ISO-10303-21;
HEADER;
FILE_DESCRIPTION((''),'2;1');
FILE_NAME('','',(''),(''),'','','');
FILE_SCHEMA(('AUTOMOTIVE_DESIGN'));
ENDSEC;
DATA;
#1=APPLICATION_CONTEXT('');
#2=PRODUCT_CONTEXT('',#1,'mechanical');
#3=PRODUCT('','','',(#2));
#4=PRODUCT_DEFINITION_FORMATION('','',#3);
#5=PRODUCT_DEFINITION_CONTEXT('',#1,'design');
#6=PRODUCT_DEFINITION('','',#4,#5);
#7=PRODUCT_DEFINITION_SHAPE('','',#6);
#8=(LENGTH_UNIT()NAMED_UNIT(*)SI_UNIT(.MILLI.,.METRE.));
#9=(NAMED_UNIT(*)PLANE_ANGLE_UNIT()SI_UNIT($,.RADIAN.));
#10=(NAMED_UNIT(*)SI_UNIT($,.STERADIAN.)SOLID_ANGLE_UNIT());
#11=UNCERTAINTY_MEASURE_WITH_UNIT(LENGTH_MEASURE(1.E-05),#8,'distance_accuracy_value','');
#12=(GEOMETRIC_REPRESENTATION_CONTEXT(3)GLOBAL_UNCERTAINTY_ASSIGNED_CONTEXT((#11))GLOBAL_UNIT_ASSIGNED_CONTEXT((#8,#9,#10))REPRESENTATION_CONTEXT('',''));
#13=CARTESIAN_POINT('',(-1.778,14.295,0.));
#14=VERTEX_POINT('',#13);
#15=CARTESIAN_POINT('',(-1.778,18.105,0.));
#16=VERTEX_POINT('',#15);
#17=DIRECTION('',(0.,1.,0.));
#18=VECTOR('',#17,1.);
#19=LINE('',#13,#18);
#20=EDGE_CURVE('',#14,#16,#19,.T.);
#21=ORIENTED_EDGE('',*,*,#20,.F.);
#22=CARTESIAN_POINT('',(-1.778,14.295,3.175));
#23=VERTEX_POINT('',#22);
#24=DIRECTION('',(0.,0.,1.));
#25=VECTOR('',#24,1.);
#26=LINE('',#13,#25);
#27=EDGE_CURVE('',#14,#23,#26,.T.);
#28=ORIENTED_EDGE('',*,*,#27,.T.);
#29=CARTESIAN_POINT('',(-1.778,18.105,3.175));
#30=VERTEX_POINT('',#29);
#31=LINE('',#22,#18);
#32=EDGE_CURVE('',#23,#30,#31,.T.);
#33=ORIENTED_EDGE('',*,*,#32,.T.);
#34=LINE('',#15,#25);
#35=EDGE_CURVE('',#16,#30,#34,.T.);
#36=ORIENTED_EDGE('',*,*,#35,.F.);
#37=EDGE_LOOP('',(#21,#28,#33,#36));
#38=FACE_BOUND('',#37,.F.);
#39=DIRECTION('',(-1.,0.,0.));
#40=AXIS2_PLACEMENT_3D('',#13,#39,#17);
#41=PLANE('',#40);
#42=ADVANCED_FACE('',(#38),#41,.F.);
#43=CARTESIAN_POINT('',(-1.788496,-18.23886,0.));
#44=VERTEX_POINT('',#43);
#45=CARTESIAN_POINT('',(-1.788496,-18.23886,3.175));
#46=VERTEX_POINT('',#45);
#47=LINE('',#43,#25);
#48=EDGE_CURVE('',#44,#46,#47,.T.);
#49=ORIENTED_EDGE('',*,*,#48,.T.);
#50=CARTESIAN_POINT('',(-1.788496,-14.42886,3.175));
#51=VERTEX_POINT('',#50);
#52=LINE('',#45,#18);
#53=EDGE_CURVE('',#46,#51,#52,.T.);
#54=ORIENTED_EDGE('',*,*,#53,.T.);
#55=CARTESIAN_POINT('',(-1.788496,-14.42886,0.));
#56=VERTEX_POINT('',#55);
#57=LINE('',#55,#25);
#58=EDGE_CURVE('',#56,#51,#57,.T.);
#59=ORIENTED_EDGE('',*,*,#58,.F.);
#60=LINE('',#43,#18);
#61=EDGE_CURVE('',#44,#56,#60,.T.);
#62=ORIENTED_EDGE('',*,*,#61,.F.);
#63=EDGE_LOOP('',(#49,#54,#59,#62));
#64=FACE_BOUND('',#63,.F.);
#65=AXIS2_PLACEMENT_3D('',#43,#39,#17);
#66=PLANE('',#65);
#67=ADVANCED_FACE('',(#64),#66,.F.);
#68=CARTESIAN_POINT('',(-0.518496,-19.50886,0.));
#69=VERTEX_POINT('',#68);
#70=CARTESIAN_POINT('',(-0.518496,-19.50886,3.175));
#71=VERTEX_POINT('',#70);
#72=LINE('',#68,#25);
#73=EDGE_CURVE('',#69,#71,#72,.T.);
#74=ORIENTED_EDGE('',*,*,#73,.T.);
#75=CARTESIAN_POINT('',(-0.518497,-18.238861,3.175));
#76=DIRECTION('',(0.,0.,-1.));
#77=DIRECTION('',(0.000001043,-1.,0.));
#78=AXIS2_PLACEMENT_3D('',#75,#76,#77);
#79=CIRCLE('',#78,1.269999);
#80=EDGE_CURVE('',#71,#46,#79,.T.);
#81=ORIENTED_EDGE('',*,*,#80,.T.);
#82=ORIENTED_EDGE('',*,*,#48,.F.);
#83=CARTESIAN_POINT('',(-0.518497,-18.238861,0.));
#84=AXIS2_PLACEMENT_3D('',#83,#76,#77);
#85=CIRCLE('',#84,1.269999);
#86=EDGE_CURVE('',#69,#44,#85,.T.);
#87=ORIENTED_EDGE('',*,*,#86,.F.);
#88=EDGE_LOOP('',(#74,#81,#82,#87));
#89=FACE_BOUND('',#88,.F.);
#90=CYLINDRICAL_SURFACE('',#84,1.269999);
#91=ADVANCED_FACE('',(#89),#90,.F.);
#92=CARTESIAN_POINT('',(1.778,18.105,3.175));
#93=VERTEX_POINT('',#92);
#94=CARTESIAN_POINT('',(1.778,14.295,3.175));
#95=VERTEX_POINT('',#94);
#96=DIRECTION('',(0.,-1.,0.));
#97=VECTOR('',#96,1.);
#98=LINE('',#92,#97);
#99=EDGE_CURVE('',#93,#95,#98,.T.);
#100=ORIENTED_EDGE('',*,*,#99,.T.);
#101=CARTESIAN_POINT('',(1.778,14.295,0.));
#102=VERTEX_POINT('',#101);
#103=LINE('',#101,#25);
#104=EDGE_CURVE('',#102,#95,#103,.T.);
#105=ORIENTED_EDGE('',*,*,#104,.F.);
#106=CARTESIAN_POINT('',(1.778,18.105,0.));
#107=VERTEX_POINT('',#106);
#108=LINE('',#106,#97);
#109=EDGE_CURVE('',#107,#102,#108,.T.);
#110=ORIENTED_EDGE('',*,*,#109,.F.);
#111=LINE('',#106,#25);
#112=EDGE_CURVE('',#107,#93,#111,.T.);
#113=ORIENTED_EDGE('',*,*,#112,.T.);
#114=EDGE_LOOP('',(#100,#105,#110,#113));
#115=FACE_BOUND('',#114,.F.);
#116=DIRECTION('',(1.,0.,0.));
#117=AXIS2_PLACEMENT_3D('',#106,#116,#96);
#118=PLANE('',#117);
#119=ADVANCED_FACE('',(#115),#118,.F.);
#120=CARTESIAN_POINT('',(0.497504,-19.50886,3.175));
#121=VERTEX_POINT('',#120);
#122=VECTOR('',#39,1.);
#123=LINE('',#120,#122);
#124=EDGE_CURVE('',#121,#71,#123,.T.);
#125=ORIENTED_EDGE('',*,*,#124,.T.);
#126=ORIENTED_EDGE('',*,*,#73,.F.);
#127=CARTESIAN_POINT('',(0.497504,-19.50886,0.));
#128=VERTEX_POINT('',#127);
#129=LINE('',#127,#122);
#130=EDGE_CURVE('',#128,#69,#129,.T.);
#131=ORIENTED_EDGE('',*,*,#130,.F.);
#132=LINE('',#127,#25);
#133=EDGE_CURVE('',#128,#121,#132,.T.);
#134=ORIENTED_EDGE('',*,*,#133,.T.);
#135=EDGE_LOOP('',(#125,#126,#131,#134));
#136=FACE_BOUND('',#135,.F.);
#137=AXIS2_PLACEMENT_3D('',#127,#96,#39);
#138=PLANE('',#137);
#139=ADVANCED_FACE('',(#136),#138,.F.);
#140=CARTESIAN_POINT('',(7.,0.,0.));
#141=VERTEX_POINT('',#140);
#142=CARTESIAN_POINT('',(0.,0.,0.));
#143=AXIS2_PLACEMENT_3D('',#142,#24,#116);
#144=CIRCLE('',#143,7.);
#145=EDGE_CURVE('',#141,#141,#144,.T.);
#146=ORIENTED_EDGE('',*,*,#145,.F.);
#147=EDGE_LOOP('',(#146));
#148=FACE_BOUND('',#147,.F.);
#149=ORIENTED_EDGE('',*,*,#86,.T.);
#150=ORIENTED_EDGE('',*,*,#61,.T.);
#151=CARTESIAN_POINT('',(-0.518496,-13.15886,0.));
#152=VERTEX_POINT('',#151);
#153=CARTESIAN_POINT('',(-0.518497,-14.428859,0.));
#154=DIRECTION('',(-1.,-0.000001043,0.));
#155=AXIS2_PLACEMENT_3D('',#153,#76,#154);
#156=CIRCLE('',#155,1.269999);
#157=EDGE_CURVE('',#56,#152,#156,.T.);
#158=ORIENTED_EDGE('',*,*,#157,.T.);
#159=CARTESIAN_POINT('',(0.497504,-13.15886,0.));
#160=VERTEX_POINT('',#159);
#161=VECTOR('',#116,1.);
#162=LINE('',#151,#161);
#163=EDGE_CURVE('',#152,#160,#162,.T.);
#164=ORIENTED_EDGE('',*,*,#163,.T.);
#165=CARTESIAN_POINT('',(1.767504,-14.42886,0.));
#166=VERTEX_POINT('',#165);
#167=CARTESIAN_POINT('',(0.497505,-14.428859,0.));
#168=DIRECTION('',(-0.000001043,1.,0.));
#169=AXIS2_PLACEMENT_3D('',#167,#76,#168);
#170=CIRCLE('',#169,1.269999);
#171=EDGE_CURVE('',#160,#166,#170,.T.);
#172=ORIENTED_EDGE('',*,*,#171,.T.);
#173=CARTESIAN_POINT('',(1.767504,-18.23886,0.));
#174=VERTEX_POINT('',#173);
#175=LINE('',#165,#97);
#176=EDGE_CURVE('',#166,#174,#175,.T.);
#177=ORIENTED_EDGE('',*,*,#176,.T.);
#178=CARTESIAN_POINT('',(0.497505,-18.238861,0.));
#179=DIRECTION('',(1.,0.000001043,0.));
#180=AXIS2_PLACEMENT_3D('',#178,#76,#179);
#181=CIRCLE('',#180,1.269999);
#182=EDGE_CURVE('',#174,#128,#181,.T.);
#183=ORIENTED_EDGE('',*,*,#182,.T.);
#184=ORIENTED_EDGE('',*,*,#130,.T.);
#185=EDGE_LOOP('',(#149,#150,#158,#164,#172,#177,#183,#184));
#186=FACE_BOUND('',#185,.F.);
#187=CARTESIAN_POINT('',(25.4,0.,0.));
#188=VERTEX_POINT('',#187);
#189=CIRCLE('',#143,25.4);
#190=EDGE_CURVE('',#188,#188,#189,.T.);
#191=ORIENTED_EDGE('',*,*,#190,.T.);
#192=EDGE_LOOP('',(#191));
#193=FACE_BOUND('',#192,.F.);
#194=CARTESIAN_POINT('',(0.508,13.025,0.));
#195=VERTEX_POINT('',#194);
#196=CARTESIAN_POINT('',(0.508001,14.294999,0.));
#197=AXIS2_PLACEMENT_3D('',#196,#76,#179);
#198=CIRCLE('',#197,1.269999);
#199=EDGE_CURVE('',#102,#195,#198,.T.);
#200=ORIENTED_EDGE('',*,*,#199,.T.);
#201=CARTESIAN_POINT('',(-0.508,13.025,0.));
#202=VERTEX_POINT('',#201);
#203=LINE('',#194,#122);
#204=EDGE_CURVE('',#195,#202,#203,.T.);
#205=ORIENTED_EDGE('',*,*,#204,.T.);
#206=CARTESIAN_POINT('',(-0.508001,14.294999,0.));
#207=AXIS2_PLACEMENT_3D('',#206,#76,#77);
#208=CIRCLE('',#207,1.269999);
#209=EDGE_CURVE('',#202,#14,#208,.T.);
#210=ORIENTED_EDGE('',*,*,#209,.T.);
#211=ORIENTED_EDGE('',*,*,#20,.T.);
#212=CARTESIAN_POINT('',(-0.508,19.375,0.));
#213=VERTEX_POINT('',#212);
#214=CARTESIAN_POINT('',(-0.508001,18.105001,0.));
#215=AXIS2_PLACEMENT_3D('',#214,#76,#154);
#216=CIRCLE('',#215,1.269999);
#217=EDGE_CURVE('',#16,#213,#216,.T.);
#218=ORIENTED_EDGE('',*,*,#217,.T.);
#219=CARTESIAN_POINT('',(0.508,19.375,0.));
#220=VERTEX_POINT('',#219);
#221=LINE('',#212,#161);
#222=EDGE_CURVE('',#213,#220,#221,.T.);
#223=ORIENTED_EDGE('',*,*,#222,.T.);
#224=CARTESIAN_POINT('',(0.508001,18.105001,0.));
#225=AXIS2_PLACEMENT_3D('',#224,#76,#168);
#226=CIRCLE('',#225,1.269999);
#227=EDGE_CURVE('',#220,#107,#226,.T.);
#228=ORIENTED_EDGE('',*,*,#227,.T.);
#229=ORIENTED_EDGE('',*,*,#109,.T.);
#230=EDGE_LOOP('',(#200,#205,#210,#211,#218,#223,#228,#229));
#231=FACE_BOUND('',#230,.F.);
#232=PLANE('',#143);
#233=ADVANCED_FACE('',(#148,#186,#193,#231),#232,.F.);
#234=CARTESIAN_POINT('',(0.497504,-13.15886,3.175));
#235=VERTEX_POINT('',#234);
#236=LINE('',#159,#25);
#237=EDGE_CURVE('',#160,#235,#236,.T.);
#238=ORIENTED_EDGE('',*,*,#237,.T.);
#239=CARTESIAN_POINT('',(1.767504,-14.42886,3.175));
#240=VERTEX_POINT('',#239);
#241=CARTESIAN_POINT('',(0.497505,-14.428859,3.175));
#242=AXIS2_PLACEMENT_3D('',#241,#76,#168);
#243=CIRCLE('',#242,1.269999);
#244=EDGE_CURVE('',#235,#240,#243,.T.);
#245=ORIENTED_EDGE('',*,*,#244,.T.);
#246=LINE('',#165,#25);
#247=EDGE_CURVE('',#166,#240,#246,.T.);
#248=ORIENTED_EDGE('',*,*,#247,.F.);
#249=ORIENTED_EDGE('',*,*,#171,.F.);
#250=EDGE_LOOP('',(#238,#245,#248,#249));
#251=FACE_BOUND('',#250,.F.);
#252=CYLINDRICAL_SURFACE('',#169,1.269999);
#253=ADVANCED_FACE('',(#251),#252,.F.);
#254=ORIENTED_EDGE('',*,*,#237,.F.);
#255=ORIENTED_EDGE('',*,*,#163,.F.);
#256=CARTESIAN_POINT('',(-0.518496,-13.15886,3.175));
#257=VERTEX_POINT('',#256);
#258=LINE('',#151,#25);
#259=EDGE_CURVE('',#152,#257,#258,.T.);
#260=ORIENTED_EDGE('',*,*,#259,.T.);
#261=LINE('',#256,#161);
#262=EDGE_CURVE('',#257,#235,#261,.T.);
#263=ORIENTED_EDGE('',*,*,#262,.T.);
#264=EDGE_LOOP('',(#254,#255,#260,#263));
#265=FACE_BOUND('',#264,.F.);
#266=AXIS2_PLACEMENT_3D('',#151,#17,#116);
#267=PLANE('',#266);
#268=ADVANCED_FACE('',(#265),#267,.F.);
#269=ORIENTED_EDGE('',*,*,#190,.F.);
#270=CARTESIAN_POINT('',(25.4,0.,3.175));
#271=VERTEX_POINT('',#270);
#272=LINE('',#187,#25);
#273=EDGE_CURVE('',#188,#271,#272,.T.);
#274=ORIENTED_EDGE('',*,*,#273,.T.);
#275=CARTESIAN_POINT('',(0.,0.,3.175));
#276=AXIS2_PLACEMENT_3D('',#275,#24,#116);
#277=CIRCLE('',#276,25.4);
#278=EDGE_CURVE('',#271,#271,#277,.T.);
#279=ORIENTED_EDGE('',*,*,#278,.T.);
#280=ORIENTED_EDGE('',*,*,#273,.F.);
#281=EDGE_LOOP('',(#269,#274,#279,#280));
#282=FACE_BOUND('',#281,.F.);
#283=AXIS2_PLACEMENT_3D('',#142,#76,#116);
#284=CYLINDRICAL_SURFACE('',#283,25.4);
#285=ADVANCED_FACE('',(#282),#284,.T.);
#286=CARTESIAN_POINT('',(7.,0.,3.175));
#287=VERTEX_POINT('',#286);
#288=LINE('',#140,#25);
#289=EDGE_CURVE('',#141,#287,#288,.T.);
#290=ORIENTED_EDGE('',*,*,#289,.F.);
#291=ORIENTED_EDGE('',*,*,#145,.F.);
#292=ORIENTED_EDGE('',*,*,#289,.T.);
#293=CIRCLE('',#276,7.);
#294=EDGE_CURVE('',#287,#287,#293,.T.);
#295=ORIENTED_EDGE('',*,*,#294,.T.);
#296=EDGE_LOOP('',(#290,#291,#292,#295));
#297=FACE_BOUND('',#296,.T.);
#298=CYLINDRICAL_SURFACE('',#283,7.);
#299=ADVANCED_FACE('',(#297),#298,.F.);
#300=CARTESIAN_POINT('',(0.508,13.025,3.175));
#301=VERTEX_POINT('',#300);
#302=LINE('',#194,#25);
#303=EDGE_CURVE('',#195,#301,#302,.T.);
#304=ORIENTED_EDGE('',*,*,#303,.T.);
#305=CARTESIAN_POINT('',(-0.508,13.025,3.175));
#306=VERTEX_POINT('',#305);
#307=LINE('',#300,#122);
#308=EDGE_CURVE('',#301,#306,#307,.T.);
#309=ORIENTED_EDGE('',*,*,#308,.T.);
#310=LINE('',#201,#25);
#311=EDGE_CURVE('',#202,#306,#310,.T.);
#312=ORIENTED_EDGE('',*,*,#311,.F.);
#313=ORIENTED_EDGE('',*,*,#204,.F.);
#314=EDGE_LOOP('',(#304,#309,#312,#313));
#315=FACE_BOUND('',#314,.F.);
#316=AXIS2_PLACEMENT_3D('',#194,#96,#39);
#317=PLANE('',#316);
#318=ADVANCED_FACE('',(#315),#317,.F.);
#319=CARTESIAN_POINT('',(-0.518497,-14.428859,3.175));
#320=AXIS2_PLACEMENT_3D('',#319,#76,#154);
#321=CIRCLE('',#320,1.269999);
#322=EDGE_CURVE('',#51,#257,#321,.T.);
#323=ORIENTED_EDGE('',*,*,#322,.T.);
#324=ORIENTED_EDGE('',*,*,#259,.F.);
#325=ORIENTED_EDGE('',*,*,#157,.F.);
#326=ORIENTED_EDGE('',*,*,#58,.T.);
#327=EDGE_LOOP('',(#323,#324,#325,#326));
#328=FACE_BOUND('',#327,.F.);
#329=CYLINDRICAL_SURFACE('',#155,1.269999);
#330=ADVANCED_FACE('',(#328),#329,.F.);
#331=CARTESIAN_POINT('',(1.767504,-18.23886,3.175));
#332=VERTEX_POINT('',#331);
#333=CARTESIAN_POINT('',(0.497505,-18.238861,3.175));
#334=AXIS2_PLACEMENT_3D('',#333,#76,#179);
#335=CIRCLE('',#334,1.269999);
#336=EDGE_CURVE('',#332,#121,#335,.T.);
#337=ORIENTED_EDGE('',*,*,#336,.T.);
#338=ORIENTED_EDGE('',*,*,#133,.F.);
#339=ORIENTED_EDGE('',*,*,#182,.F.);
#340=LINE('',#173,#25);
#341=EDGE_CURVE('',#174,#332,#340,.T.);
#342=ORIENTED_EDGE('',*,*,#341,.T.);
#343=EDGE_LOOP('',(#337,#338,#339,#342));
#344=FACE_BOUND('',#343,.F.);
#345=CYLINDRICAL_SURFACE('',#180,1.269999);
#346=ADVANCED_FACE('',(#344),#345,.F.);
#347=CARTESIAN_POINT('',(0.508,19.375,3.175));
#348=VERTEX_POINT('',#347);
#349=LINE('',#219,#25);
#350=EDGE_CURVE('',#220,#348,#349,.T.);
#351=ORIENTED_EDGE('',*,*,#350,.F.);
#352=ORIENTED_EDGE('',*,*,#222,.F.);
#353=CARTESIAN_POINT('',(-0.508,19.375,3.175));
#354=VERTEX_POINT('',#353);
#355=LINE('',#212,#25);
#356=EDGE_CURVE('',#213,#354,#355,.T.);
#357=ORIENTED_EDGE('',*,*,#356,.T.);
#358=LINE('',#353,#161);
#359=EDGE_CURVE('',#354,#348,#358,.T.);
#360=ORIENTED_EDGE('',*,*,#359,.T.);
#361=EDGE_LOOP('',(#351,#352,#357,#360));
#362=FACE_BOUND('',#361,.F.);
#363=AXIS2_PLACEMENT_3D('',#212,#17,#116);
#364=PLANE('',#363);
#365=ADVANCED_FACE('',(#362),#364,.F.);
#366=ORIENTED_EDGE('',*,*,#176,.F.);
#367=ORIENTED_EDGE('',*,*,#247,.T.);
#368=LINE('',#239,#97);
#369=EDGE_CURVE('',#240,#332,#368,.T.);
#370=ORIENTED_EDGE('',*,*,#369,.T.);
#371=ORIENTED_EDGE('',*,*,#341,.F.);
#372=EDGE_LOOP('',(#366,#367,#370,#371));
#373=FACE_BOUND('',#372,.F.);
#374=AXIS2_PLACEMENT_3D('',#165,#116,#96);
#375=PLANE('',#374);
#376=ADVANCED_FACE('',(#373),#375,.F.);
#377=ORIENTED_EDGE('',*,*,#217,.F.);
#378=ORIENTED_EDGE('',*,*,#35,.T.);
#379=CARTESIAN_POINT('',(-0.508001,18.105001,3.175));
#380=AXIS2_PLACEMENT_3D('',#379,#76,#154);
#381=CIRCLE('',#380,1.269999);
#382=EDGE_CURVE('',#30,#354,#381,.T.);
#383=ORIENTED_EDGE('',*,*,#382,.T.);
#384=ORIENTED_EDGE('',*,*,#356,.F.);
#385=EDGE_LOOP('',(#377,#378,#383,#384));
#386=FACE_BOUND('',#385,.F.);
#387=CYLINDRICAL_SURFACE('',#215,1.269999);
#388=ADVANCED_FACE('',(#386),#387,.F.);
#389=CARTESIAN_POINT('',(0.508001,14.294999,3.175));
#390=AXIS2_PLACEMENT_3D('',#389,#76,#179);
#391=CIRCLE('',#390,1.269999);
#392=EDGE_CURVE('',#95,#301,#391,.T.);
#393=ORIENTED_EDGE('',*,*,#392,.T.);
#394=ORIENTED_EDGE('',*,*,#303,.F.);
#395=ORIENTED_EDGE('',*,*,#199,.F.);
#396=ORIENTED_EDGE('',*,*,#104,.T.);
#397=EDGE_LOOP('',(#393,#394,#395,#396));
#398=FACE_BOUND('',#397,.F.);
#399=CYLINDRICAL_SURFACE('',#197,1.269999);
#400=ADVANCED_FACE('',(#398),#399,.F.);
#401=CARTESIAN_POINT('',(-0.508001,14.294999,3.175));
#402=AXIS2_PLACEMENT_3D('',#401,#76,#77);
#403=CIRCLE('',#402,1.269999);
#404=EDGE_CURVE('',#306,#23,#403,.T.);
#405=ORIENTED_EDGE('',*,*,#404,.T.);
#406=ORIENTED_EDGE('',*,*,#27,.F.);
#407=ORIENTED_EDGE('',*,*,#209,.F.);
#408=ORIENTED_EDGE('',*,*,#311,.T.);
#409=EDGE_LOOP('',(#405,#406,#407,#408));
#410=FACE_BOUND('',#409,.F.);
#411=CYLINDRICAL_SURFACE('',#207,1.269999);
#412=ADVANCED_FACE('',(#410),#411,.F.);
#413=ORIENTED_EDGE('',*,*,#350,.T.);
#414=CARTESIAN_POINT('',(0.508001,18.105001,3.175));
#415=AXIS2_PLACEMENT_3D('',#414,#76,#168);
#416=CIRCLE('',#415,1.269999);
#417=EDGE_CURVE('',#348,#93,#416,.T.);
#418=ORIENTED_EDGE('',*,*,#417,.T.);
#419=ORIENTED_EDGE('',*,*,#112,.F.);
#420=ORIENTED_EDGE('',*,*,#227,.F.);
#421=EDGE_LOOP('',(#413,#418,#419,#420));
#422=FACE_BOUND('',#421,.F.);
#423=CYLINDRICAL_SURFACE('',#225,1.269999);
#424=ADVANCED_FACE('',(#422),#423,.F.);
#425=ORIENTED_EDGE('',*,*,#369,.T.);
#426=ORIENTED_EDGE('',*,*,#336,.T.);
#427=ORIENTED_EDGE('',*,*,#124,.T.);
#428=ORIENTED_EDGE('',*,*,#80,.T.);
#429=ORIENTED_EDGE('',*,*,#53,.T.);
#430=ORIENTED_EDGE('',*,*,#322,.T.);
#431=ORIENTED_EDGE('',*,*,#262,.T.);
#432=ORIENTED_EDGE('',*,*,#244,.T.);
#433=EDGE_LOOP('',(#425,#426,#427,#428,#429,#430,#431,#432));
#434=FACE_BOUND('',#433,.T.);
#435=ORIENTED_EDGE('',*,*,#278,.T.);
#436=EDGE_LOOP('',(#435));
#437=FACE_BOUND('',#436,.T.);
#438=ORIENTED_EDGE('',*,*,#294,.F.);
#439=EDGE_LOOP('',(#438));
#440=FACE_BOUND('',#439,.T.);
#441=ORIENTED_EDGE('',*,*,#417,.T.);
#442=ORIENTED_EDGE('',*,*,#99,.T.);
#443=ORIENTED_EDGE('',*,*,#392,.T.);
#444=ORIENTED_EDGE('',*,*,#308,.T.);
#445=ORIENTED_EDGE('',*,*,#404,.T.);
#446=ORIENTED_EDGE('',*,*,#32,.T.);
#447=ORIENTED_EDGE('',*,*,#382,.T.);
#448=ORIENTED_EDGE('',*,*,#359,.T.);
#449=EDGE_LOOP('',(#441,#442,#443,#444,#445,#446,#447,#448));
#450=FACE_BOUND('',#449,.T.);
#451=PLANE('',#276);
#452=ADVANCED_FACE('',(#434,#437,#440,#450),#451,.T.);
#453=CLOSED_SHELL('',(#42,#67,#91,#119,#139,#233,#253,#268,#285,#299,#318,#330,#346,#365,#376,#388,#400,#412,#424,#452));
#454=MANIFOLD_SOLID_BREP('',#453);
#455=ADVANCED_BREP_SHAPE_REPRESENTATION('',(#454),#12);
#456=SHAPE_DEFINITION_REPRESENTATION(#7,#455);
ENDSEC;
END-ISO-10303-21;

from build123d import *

# Parameters (mm, degrees)
F0_R     = 25.4
F0_R_2   = 7
F1_DEPTH = 3.175


with BuildPart() as f1:
    # F0 (on Top) → F1 (new body)
    with BuildSketch(Plane.XY):
        Circle(F0_R)
        with BuildLine():
            Line((-0.518496, -13.15886), (0.497504, -13.15886))
            ThreePointArc((0.497504, -13.15886), (1.39553, -13.530834), (1.767504, -14.42886))
            Line((1.767504, -14.42886), (1.767504, -18.23886))
            ThreePointArc((1.767504, -18.23886), (1.39553, -19.136886), (0.497504, -19.50886))
            Line((0.497504, -19.50886), (-0.518496, -19.50886))
            ThreePointArc((-0.518496, -19.50886), (-1.416522, -19.136886), (-1.788496, -18.23886))
            Line((-1.788496, -18.23886), (-1.788496, -14.42886))
            ThreePointArc((-1.788496, -14.42886), (-1.416522, -13.530834), (-0.518496, -13.15886))
        make_face(mode=Mode.SUBTRACT)
        Circle(F0_R_2, mode=Mode.SUBTRACT)
        with BuildLine():
            Line((-0.508, 19.375), (0.508, 19.375))
            ThreePointArc((0.508, 19.375), (1.406026, 19.003026), (1.778, 18.105))
            Line((1.778, 18.105), (1.778, 14.295))
            ThreePointArc((1.778, 14.295), (1.406026, 13.396974), (0.508, 13.025))
            Line((0.508, 13.025), (-0.508, 13.025))
            ThreePointArc((-0.508, 13.025), (-1.406026, 13.396974), (-1.778, 14.295))
            Line((-1.778, 14.295), (-1.778, 18.105))
            ThreePointArc((-1.778, 18.105), (-1.406026, 19.003026), (-0.508, 19.375))
        make_face(mode=Mode.SUBTRACT)
    extrude(amount=F1_DEPTH)


solid = f1.part
